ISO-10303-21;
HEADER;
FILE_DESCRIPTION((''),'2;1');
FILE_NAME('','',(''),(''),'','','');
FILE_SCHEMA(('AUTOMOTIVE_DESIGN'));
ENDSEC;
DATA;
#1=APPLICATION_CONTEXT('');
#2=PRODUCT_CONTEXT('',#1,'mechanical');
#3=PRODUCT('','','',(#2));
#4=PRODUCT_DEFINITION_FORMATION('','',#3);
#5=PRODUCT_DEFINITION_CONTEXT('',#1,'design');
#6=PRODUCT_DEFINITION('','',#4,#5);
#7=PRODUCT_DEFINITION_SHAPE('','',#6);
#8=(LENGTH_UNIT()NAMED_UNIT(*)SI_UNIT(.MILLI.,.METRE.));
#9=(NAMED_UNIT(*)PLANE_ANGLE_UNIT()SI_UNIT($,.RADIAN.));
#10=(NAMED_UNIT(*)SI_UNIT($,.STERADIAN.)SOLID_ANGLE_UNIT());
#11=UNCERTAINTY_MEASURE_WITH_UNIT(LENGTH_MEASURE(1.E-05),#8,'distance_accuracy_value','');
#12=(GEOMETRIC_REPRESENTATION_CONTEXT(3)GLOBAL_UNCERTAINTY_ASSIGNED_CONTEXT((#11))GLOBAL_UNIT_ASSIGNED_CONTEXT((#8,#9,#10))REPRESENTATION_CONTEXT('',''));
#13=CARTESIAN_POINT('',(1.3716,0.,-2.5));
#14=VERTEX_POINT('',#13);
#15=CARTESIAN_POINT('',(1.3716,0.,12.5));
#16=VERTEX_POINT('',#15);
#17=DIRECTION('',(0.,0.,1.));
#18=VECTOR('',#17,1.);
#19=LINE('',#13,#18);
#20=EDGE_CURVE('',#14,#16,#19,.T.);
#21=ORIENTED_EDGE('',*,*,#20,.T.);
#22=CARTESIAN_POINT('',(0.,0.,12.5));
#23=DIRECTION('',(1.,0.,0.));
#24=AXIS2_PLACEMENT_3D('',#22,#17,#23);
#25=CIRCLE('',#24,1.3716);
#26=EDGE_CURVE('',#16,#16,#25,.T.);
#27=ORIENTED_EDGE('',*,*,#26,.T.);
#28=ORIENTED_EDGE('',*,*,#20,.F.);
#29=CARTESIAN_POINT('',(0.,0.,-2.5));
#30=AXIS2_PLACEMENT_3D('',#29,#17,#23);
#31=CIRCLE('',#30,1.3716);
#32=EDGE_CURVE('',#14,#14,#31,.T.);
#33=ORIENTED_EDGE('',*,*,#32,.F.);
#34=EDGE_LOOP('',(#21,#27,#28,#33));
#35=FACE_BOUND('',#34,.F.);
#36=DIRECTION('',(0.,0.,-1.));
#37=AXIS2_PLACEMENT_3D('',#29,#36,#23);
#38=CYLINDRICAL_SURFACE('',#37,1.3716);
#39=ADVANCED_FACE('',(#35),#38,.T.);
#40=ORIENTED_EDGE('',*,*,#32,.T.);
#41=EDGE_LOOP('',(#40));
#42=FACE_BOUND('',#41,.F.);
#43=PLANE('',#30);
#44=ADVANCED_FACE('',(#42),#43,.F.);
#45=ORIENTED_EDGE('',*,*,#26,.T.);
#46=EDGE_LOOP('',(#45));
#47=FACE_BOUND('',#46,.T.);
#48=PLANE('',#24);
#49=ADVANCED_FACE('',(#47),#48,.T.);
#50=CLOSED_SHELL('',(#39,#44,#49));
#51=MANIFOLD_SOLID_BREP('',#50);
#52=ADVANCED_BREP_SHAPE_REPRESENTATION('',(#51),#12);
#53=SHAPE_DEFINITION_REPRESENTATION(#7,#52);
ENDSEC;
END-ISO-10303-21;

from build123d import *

# Parameters (mm, degrees)
CYLINDER_R     = 1.3716
CYLINDER_DEPTH = 15


with BuildPart() as part:
    # Cylinder → Cylinder (new body)
    with BuildSketch(Plane.XY.offset(-2.5)):
        Circle(CYLINDER_R)
    extrude(amount=CYLINDER_DEPTH)


solid = part.part
